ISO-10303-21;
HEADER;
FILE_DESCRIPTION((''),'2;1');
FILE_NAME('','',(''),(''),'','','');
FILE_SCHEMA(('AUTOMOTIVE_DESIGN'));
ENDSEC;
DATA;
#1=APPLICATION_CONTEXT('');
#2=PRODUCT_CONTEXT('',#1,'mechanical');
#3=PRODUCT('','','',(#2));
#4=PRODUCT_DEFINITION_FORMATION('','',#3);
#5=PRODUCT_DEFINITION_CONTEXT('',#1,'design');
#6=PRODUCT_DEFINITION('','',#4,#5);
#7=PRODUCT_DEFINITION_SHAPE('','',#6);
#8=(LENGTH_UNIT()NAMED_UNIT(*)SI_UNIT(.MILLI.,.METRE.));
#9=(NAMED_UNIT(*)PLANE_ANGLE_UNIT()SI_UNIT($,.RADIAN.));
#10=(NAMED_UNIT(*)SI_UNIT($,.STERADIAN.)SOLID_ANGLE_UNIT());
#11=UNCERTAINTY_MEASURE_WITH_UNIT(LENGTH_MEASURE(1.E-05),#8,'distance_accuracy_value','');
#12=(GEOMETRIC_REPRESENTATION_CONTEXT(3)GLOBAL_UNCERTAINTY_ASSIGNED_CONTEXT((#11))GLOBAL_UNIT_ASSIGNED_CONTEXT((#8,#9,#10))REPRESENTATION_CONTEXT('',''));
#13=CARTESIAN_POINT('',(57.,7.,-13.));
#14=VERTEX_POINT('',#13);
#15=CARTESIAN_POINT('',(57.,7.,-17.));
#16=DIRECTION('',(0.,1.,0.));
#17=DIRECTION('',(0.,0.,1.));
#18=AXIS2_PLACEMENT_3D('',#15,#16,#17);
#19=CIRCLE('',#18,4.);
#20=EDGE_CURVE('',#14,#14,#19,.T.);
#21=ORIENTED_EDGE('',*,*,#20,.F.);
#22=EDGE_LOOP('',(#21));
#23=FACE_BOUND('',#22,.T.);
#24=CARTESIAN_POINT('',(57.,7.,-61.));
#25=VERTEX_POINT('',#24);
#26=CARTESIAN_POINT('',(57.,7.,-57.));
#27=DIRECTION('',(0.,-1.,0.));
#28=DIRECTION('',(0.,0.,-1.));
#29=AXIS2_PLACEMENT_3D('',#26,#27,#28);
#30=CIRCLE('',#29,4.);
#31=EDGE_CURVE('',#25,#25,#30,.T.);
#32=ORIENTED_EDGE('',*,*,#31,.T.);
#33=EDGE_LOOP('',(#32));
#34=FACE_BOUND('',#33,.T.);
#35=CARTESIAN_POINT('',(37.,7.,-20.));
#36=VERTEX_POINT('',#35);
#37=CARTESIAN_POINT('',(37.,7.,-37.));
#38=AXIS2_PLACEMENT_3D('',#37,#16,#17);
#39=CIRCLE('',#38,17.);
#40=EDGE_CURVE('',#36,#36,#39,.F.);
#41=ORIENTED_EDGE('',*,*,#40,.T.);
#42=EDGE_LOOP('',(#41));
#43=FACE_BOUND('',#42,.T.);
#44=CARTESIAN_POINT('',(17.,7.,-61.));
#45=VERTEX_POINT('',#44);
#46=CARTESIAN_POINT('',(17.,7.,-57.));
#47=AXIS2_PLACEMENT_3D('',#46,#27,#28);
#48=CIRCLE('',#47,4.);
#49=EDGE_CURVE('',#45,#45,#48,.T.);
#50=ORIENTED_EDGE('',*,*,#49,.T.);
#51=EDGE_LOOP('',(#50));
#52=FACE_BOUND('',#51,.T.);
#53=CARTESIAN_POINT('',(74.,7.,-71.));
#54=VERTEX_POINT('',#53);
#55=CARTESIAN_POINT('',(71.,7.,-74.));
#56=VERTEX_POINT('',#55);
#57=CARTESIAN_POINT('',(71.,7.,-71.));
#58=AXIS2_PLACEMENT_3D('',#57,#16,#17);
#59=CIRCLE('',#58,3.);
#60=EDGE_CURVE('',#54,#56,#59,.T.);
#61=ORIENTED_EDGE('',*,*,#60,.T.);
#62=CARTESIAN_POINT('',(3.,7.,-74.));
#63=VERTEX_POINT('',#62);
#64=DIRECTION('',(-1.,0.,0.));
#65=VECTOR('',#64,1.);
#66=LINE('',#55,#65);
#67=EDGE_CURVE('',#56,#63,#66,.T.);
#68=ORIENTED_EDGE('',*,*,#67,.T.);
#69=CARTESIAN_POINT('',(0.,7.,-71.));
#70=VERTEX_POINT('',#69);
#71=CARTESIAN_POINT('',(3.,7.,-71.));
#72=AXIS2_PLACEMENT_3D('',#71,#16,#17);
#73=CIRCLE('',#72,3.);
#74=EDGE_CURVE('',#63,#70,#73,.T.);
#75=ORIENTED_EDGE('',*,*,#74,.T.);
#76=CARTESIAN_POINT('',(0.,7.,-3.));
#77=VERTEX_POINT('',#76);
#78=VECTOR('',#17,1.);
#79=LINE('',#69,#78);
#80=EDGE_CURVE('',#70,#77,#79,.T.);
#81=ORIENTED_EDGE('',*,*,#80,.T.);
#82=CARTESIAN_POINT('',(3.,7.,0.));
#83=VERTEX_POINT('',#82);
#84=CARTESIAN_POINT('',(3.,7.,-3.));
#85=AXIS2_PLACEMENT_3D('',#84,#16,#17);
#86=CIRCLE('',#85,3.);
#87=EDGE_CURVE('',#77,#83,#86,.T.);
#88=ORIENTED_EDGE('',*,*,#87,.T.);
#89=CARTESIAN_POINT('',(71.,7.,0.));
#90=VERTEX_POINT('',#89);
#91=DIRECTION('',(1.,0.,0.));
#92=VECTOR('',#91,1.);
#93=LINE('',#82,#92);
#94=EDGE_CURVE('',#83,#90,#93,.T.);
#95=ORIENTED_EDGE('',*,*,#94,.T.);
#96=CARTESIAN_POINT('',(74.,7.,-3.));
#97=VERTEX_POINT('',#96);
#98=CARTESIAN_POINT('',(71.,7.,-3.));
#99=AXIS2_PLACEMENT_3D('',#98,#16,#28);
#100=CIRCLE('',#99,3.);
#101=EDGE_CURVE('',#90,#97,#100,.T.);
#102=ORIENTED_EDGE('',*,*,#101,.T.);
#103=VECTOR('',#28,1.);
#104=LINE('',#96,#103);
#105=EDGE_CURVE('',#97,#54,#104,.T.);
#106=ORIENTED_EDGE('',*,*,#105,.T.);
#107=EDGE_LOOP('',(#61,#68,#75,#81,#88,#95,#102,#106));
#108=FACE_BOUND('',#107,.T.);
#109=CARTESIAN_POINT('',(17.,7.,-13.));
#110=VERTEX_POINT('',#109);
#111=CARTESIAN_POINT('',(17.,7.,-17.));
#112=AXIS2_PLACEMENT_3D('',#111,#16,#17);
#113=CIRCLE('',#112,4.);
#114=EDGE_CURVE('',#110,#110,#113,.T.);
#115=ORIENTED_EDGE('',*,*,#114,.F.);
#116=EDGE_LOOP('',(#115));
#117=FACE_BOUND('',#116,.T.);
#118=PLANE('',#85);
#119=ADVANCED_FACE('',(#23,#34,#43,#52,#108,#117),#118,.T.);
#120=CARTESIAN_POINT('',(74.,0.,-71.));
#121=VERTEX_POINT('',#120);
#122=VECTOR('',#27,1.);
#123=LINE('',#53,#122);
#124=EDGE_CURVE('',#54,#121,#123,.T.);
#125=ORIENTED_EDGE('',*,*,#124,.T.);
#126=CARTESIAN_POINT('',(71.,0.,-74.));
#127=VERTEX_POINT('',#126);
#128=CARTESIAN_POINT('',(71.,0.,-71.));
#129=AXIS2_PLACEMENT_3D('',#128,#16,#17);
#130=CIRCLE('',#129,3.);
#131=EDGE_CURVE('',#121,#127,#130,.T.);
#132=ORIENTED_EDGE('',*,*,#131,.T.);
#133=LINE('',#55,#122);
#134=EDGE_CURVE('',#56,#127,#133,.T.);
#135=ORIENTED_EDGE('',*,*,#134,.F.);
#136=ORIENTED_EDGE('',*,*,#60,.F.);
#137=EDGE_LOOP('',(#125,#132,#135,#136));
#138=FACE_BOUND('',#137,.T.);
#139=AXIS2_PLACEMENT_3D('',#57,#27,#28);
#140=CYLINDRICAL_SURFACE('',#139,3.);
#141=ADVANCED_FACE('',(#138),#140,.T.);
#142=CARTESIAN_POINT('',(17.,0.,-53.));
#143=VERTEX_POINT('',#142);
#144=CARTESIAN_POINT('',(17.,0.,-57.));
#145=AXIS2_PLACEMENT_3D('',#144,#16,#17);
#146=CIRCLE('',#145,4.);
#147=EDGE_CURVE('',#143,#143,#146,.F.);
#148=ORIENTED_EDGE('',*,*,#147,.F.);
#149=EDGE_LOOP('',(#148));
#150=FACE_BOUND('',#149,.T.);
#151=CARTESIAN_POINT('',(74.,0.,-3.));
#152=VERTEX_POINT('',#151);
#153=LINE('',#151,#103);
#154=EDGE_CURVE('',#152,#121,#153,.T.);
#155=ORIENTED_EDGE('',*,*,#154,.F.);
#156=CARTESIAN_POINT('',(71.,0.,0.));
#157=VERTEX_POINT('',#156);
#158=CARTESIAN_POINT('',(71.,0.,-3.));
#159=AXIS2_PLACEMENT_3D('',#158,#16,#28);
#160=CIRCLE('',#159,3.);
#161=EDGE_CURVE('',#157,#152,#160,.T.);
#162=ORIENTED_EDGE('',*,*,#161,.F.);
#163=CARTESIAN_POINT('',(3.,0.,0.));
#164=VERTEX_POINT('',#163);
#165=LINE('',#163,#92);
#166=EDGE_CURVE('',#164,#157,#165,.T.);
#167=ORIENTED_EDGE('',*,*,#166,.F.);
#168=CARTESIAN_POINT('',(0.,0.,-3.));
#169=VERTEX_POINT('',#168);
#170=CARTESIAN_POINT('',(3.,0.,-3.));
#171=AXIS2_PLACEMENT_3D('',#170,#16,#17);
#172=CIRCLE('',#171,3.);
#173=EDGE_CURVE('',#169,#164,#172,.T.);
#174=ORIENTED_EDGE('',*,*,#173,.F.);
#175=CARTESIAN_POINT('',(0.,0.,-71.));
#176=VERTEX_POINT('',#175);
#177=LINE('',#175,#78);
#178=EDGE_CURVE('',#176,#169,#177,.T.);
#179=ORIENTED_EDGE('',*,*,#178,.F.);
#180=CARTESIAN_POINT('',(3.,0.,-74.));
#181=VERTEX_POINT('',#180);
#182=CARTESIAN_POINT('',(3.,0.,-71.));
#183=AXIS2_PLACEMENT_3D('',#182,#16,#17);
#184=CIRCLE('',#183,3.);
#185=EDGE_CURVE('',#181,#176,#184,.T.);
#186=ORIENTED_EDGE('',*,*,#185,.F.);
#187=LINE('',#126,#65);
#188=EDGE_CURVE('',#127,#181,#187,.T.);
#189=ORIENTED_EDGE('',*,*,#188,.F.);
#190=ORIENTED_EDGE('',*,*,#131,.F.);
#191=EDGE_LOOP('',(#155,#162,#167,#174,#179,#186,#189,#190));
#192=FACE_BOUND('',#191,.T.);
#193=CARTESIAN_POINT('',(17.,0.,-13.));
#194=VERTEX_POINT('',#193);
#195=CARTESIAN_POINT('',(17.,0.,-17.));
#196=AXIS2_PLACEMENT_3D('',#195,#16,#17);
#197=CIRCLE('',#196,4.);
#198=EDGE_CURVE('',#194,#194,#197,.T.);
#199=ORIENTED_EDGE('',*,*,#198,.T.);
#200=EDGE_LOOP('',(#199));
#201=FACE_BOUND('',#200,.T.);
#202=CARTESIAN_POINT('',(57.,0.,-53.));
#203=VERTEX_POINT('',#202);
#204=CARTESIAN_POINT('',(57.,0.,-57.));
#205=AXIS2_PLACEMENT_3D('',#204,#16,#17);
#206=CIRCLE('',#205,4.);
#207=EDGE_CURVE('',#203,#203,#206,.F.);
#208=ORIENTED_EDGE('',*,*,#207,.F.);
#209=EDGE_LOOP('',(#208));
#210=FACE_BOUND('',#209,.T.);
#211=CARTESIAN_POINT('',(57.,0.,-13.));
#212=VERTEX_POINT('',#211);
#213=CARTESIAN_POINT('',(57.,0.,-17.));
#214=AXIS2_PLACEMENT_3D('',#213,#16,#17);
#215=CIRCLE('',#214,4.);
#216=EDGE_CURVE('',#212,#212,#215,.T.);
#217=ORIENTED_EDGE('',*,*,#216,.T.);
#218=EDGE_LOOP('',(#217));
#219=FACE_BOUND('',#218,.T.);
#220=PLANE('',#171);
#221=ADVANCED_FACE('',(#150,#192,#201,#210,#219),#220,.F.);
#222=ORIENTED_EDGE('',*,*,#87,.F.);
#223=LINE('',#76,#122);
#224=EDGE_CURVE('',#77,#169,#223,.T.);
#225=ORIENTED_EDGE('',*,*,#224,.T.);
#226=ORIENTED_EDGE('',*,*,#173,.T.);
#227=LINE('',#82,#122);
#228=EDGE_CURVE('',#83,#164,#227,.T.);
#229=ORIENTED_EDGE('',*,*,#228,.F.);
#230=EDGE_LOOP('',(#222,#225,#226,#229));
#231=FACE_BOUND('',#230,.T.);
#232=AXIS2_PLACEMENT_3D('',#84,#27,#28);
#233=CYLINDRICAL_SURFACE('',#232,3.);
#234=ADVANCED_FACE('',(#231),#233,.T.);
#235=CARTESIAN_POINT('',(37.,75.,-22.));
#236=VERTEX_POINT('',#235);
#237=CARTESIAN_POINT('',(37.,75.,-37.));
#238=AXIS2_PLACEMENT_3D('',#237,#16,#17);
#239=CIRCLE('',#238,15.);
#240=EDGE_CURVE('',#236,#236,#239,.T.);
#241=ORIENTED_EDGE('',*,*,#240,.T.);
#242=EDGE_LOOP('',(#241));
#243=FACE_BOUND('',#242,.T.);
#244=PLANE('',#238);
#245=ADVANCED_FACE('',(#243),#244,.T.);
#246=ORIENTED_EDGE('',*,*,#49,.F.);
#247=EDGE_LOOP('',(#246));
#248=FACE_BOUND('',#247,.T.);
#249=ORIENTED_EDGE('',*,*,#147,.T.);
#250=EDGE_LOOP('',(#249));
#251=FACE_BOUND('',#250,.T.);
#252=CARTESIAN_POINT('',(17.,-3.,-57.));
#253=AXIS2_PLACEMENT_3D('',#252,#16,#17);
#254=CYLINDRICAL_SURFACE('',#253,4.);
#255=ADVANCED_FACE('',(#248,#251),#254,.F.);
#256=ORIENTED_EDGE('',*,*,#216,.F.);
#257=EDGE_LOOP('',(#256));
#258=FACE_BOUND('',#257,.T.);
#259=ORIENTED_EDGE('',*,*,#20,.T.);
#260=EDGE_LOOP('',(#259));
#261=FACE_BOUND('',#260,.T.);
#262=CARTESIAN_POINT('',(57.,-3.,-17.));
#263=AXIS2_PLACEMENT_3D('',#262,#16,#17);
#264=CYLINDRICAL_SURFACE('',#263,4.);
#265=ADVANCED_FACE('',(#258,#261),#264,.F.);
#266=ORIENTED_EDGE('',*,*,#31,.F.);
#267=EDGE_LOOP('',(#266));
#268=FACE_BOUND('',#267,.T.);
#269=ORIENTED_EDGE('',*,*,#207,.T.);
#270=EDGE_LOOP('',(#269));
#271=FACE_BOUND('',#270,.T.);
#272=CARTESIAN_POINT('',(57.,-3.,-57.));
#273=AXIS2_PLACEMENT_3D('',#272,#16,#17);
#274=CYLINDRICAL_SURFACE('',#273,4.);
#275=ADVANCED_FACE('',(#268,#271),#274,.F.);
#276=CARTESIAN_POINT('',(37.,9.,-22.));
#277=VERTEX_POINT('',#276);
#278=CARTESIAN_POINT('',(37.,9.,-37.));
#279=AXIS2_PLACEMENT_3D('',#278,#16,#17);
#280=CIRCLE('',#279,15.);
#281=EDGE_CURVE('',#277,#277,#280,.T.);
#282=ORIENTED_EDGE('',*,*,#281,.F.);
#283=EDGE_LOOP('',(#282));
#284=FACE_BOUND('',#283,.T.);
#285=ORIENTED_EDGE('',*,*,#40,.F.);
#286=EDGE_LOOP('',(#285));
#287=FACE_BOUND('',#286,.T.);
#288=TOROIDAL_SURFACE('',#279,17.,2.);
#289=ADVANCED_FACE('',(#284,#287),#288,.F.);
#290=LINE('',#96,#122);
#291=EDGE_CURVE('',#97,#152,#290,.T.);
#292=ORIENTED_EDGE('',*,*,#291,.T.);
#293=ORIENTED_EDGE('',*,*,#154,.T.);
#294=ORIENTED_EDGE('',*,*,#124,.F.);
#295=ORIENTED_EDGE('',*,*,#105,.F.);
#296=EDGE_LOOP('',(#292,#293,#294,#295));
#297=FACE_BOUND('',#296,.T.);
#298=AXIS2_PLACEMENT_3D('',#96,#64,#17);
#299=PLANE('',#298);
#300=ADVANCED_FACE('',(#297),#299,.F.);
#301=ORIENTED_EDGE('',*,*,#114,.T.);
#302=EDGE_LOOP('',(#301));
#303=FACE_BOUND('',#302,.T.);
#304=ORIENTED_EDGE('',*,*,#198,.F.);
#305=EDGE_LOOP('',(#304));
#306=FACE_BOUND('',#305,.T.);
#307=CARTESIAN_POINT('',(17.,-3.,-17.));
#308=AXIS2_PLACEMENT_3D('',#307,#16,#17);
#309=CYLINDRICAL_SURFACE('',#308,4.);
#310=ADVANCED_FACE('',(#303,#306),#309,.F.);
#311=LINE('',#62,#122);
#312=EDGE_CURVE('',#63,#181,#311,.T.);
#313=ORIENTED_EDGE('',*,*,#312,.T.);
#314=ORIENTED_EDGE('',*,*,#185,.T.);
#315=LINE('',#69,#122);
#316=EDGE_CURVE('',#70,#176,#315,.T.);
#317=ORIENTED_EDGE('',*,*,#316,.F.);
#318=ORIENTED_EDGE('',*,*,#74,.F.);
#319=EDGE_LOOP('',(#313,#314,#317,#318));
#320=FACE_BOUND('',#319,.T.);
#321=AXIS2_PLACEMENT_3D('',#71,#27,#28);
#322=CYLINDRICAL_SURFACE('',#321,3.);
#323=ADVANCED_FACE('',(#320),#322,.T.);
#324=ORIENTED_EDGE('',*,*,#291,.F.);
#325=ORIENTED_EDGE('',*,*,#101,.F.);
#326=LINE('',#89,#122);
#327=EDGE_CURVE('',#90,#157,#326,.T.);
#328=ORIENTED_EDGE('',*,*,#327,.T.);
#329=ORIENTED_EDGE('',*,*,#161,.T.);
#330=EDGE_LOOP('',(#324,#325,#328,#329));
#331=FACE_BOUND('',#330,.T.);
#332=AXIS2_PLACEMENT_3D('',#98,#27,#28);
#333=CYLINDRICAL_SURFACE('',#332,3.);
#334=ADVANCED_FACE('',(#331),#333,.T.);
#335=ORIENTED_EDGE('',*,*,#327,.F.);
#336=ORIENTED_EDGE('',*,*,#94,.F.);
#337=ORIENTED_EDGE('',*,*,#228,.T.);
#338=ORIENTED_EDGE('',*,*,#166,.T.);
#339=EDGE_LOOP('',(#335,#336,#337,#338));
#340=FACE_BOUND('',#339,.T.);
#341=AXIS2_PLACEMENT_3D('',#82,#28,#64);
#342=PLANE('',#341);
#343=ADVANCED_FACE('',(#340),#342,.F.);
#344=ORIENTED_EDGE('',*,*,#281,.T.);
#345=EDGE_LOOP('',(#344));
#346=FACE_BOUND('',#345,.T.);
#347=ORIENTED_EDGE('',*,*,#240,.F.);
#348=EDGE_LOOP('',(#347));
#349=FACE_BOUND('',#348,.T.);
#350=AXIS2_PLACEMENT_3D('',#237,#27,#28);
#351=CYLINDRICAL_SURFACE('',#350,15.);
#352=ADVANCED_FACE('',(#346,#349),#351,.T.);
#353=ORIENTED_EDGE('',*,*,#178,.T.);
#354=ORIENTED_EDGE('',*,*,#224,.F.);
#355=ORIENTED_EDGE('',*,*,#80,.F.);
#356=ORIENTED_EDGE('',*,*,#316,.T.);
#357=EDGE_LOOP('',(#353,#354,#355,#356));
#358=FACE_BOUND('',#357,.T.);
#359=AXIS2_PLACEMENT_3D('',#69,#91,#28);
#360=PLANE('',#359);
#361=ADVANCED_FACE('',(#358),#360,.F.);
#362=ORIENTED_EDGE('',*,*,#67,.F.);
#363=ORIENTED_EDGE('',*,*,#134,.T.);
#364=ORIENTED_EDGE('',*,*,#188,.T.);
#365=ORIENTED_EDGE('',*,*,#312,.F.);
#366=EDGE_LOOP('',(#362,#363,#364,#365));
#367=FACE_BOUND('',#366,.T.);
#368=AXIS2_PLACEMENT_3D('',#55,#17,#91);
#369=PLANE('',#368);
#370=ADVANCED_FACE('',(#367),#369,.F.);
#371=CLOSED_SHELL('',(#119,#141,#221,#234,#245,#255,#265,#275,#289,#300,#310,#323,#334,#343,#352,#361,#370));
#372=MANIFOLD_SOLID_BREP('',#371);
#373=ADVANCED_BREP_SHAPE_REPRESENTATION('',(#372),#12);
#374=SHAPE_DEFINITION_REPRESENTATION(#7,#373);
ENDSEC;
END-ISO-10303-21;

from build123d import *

# Parameters (mm, degrees)
BOSS_EXTRUDE1_DEPTH = 7
SKETCH2_R           = 15
BOSS_EXTRUDE2_DEPTH = 68
FILLET1_R           = 2
SKETCH3_R           = 4
CUT_EXTRUDE1_DEPTH  = 10


with BuildPart() as part:
    # Sketch1 → Boss-Extrude1 (new body)
    with BuildSketch(Plane(origin=(0, 0, 0), x_dir=(1, 0, 0), z_dir=(0, 1, 0))):
        with BuildLine():
            Line((3, 0), (71, 0))
            ThreePointArc((71, 0), (73.121320344, 0.878679656), (74, 3))
            Line((74, 3), (74, 71))
            ThreePointArc((74, 71), (73.121320344, 73.121320344), (71, 74))
            Line((71, 74), (3, 74))
            ThreePointArc((3, 74), (0.878679656, 73.121320344), (0, 71))
            Line((0, 71), (0, 3))
            ThreePointArc((0, 3), (0.878679656, 0.878679656), (3, 0))
        make_face()
    extrude(amount=BOSS_EXTRUDE1_DEPTH)

    # Sketch2 → Boss-Extrude2 (add)
    with BuildSketch(Plane(origin=(0, 7, 0), x_dir=(1, 0, 0), z_dir=(0, 1, 0))):
        with Locations(Location((37, 37, 0), (0, 0, 270))):
            Circle(SKETCH2_R)
    extrude(amount=BOSS_EXTRUDE2_DEPTH)

    # Fillet1
    fillet1_edges = [part.edges().sort_by_distance(p)[0] for p in [
        (37, 7, -52),
    ]]
    fillet(fillet1_edges, radius=FILLET1_R)

    # Sketch3 → Cut-Extrude1 (cut)
    with BuildSketch(Plane(origin=(0, 7, 0), x_dir=(1, 0, 0), z_dir=(0, 1, 0))):
        with Locations(Location((17, 17, 0), (0, 0, 270))):
            Circle(SKETCH3_R)
        with Locations(Location((57, 17, 0), (0, 0, 270))):
            Circle(SKETCH3_R)
    cut_extrude1 = extrude(amount=-CUT_EXTRUDE1_DEPTH, mode=Mode.SUBTRACT)

    # Mirror1: Cut-Extrude1 across plane
    add(cut_extrude1.mirror(Plane.XY.offset(-37)), mode=Mode.SUBTRACT)


solid = part.part
